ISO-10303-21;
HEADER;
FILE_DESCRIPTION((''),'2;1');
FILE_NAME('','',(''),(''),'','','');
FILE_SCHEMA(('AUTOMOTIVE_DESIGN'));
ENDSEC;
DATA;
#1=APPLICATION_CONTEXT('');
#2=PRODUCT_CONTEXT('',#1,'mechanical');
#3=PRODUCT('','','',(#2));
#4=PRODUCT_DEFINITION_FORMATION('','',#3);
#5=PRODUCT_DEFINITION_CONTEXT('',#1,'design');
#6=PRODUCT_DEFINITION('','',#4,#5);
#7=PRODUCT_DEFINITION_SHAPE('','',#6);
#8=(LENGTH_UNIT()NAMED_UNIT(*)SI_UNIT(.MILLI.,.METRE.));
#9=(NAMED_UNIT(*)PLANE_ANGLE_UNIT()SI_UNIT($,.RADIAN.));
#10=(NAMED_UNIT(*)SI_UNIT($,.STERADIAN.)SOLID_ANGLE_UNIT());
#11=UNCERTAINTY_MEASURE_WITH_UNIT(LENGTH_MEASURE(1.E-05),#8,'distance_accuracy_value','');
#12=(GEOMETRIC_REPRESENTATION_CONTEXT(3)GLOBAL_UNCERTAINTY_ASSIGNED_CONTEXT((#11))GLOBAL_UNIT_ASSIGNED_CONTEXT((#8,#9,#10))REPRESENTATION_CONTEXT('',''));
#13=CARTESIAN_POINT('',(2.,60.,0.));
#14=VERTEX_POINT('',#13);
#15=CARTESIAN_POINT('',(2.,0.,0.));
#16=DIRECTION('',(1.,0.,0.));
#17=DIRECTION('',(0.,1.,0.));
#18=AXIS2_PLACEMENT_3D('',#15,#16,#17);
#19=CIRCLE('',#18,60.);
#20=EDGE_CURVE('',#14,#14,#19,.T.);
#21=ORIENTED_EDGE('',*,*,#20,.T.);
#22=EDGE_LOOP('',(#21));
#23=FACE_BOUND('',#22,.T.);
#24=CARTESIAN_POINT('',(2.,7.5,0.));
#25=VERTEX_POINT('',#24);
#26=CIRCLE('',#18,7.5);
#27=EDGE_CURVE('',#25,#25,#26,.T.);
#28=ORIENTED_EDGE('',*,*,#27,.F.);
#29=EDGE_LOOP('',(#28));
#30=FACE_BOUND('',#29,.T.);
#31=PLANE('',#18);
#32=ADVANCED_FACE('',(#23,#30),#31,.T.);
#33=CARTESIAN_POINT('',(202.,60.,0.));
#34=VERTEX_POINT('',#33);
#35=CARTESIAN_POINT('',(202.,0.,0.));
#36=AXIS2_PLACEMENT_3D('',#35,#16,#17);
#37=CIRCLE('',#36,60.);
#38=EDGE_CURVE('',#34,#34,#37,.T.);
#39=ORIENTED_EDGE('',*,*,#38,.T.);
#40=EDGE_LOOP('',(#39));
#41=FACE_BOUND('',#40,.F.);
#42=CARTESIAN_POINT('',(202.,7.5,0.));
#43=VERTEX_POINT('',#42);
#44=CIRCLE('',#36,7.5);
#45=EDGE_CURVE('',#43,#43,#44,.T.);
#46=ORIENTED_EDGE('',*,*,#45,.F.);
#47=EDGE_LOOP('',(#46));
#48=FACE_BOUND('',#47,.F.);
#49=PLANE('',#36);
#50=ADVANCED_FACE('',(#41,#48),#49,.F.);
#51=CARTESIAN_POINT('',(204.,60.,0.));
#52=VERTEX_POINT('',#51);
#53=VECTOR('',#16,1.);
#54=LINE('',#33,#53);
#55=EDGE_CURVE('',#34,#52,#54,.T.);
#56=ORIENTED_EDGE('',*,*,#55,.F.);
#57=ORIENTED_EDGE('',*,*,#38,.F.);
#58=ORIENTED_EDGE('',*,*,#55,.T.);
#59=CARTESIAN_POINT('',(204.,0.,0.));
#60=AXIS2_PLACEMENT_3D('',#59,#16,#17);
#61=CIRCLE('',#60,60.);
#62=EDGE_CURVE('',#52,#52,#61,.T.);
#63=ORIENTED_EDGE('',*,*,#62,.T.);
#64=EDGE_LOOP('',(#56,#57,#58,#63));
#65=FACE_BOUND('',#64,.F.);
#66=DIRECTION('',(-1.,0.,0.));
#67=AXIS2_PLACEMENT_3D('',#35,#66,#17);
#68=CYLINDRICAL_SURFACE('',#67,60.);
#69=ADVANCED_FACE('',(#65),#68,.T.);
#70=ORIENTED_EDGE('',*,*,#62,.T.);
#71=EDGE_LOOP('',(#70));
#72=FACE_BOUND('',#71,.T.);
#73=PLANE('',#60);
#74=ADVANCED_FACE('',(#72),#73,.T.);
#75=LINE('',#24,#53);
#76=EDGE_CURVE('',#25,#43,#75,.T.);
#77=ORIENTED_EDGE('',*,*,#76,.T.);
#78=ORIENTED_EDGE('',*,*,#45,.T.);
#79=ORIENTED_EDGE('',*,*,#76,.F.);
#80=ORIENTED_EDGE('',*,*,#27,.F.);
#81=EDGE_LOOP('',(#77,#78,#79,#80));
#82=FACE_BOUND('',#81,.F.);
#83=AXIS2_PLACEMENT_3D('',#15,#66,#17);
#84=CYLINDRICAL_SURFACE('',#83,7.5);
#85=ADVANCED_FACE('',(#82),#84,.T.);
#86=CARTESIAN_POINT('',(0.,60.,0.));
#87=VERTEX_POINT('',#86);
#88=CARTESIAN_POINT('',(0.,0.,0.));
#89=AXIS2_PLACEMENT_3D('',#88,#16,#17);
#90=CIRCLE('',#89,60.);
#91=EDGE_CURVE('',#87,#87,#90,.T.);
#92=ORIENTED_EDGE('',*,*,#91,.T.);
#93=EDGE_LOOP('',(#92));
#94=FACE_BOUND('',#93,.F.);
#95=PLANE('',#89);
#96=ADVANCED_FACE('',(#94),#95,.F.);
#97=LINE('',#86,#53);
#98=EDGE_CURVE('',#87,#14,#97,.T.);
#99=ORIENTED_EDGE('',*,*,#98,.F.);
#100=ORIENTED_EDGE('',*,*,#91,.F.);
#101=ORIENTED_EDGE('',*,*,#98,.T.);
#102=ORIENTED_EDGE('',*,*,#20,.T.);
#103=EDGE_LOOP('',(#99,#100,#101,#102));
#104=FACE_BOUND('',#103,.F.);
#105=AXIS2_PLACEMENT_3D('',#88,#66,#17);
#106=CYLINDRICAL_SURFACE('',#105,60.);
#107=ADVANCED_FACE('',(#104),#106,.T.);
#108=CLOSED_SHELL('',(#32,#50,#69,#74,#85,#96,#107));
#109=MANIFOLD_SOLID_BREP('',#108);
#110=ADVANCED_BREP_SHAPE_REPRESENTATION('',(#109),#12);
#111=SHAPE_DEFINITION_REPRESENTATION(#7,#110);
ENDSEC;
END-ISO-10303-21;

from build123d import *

# Parameters (mm, degrees)
F0_R     = 60
F0_R_2   = 7.5
F1_DEPTH = 2
F2_R     = 7.5
F3_DEPTH = 200
F5_R     = 60
F6_DEPTH = 2


with BuildPart() as f1:
    # F0 (on Right) → F1 (new body)
    with BuildSketch(Plane.YZ):
        Circle(F0_R)
        Circle(F0_R_2, mode=Mode.SUBTRACT)
        Circle(F0_R_2)
    extrude(amount=F1_DEPTH)

    # F2 (on face) → F3 (join)
    with BuildSketch(Plane.YZ.offset(2)):
        Circle(F2_R)
    extrude(amount=F3_DEPTH)

    # F5 (on face) → F6 (join)
    with BuildSketch(Plane.YZ.offset(202)):
        Circle(F5_R)
    extrude(amount=F6_DEPTH)


solid = f1.part
